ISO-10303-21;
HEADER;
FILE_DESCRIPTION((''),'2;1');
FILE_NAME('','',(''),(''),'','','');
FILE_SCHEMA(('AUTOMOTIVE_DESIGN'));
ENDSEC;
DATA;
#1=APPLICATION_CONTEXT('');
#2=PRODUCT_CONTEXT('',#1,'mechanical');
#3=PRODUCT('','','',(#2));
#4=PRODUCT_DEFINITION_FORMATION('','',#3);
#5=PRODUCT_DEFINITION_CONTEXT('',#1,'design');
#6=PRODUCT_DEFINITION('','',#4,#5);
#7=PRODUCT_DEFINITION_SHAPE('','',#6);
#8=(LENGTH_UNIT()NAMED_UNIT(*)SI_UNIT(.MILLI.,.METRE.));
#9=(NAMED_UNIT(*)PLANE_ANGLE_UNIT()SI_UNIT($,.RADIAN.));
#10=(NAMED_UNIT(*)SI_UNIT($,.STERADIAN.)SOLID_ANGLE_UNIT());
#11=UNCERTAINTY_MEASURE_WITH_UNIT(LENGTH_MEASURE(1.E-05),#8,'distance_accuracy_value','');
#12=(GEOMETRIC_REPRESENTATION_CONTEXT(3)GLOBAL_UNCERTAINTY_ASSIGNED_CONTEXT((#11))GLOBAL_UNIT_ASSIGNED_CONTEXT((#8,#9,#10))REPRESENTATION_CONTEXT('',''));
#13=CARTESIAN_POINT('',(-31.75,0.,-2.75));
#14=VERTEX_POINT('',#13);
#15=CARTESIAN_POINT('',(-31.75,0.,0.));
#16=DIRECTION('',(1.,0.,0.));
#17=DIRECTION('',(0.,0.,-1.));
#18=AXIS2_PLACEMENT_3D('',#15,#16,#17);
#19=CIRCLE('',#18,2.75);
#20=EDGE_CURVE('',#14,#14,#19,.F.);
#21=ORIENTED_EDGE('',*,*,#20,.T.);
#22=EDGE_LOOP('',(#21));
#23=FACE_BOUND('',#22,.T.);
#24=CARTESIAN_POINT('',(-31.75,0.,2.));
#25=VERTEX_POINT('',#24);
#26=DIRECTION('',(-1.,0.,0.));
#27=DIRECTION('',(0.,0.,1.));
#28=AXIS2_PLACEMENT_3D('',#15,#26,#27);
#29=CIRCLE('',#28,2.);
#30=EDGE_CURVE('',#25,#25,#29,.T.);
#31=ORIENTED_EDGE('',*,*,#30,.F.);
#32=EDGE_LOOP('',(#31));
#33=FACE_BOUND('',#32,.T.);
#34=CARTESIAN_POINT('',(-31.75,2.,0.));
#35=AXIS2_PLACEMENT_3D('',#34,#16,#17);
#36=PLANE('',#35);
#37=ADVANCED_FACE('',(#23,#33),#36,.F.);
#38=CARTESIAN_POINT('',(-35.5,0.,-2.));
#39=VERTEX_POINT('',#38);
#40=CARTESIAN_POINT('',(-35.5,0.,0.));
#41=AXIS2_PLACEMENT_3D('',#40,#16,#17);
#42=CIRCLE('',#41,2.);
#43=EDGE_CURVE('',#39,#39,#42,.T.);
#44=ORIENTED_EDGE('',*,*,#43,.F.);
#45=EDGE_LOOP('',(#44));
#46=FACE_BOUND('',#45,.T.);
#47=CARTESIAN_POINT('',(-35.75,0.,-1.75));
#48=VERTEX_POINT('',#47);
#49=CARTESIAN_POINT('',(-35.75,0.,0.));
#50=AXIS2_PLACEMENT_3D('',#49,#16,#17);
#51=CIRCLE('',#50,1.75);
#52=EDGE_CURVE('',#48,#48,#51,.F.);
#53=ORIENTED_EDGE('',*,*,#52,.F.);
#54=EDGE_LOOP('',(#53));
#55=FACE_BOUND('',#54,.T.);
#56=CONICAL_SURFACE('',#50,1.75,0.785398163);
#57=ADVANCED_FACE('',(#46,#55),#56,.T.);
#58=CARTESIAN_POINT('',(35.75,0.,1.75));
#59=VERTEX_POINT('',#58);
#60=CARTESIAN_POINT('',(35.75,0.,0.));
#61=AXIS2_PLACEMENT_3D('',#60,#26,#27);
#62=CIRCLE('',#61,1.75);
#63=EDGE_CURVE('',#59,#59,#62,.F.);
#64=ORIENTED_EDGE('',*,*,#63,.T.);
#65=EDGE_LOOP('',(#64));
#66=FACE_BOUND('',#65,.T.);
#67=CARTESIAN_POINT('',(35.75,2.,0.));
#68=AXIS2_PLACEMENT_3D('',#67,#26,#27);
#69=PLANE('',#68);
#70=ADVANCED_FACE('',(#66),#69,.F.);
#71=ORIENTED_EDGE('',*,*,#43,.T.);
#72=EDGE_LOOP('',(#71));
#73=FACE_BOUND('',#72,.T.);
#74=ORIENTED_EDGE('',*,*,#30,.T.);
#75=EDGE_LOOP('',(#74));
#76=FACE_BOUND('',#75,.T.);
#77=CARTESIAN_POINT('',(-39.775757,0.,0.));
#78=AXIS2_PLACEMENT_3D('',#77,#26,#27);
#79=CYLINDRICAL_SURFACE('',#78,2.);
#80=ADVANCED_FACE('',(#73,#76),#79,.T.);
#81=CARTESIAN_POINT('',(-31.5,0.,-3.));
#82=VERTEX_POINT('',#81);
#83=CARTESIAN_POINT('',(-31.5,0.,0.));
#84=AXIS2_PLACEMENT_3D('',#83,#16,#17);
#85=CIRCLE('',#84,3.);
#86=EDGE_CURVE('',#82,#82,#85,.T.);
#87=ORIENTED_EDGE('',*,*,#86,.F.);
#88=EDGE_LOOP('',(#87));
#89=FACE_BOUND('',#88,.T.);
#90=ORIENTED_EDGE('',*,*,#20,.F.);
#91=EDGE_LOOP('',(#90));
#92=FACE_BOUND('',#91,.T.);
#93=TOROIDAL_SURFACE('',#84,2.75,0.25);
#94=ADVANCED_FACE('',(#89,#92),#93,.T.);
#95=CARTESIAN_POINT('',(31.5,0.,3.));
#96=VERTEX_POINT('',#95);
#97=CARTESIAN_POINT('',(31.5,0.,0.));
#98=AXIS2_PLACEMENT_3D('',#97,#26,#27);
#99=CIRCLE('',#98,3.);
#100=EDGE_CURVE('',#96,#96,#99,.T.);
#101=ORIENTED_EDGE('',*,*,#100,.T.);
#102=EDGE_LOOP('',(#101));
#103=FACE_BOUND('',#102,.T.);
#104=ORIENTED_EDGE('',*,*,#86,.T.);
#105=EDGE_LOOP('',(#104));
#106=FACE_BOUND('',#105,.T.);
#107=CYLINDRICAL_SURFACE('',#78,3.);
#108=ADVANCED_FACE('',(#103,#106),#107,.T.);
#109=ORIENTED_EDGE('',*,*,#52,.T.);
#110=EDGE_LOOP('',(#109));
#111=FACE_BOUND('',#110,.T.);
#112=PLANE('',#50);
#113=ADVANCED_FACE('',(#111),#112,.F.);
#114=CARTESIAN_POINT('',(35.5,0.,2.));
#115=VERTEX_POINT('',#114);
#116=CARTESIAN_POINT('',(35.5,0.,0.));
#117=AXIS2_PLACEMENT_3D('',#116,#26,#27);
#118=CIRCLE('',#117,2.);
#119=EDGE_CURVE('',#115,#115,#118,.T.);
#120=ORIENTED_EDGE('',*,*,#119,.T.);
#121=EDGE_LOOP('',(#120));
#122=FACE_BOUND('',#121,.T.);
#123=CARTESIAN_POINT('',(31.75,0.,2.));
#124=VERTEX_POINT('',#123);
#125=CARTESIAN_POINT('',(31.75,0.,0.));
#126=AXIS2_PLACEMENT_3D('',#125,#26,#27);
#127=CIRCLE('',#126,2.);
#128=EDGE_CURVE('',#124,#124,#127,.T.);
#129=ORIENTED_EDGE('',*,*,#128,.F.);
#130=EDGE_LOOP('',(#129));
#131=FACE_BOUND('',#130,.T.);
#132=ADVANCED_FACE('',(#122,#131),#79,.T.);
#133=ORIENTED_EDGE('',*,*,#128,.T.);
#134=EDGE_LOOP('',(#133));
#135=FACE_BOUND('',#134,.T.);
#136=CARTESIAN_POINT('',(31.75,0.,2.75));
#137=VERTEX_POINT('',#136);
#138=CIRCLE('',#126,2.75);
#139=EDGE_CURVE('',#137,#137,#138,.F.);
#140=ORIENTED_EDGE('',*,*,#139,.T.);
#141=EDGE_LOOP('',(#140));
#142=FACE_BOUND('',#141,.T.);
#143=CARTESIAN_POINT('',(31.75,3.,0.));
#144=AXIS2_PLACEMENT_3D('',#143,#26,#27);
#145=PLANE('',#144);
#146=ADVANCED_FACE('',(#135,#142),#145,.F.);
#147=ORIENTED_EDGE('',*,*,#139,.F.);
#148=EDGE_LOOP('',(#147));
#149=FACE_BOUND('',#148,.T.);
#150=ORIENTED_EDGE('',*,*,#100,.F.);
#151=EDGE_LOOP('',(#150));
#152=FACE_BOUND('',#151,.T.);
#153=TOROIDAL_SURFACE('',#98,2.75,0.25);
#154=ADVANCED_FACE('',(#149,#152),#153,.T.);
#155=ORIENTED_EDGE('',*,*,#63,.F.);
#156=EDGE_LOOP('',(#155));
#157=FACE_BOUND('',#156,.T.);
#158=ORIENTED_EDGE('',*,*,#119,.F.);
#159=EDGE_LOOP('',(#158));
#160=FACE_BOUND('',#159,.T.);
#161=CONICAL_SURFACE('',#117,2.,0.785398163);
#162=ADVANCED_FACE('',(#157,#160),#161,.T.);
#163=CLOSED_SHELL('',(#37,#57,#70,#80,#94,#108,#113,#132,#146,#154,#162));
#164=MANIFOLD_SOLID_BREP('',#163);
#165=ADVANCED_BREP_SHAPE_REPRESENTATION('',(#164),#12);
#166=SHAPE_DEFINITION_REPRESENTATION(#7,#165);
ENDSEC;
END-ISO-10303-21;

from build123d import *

# Parameters (mm, degrees)
CHAMFER3_SIZE = 0.25
FILLET1_R     = 0.25


with BuildPart() as part:
    # Sketch1 → Revolve1 (revolve)
    with BuildSketch(Plane.XY, mode=Mode.PRIVATE) as revolve1_sk:
        Polygon((-35.75, 0), (-35.75, 2), (-31.75, 2), (-31.75, 3), (31.75, 3), (31.75, 2), (35.75, 2), (35.75, 0), align=None)
    revolve(revolve1_sk.sketch.rotate(Axis((-39.77575721, 0, 0), (1, 0, 0)), 90), axis=Axis((-39.77575721, 0, 0), (1, 0, 0)))

    # Chamfer3
    chamfer3_edges = [part.edges().sort_by_distance(p)[0] for p in [
        (35.75, 0, -2),
        (-35.75, 0, -2),
    ]]
    chamfer(chamfer3_edges, length=CHAMFER3_SIZE)

    # Fillet1
    fillet1_edges = [part.edges().sort_by_distance(p)[0] for p in [
        (31.75, 0, -3),
        (-31.75, 0, -3),
    ]]
    fillet(fillet1_edges, radius=FILLET1_R)


solid = part.part
